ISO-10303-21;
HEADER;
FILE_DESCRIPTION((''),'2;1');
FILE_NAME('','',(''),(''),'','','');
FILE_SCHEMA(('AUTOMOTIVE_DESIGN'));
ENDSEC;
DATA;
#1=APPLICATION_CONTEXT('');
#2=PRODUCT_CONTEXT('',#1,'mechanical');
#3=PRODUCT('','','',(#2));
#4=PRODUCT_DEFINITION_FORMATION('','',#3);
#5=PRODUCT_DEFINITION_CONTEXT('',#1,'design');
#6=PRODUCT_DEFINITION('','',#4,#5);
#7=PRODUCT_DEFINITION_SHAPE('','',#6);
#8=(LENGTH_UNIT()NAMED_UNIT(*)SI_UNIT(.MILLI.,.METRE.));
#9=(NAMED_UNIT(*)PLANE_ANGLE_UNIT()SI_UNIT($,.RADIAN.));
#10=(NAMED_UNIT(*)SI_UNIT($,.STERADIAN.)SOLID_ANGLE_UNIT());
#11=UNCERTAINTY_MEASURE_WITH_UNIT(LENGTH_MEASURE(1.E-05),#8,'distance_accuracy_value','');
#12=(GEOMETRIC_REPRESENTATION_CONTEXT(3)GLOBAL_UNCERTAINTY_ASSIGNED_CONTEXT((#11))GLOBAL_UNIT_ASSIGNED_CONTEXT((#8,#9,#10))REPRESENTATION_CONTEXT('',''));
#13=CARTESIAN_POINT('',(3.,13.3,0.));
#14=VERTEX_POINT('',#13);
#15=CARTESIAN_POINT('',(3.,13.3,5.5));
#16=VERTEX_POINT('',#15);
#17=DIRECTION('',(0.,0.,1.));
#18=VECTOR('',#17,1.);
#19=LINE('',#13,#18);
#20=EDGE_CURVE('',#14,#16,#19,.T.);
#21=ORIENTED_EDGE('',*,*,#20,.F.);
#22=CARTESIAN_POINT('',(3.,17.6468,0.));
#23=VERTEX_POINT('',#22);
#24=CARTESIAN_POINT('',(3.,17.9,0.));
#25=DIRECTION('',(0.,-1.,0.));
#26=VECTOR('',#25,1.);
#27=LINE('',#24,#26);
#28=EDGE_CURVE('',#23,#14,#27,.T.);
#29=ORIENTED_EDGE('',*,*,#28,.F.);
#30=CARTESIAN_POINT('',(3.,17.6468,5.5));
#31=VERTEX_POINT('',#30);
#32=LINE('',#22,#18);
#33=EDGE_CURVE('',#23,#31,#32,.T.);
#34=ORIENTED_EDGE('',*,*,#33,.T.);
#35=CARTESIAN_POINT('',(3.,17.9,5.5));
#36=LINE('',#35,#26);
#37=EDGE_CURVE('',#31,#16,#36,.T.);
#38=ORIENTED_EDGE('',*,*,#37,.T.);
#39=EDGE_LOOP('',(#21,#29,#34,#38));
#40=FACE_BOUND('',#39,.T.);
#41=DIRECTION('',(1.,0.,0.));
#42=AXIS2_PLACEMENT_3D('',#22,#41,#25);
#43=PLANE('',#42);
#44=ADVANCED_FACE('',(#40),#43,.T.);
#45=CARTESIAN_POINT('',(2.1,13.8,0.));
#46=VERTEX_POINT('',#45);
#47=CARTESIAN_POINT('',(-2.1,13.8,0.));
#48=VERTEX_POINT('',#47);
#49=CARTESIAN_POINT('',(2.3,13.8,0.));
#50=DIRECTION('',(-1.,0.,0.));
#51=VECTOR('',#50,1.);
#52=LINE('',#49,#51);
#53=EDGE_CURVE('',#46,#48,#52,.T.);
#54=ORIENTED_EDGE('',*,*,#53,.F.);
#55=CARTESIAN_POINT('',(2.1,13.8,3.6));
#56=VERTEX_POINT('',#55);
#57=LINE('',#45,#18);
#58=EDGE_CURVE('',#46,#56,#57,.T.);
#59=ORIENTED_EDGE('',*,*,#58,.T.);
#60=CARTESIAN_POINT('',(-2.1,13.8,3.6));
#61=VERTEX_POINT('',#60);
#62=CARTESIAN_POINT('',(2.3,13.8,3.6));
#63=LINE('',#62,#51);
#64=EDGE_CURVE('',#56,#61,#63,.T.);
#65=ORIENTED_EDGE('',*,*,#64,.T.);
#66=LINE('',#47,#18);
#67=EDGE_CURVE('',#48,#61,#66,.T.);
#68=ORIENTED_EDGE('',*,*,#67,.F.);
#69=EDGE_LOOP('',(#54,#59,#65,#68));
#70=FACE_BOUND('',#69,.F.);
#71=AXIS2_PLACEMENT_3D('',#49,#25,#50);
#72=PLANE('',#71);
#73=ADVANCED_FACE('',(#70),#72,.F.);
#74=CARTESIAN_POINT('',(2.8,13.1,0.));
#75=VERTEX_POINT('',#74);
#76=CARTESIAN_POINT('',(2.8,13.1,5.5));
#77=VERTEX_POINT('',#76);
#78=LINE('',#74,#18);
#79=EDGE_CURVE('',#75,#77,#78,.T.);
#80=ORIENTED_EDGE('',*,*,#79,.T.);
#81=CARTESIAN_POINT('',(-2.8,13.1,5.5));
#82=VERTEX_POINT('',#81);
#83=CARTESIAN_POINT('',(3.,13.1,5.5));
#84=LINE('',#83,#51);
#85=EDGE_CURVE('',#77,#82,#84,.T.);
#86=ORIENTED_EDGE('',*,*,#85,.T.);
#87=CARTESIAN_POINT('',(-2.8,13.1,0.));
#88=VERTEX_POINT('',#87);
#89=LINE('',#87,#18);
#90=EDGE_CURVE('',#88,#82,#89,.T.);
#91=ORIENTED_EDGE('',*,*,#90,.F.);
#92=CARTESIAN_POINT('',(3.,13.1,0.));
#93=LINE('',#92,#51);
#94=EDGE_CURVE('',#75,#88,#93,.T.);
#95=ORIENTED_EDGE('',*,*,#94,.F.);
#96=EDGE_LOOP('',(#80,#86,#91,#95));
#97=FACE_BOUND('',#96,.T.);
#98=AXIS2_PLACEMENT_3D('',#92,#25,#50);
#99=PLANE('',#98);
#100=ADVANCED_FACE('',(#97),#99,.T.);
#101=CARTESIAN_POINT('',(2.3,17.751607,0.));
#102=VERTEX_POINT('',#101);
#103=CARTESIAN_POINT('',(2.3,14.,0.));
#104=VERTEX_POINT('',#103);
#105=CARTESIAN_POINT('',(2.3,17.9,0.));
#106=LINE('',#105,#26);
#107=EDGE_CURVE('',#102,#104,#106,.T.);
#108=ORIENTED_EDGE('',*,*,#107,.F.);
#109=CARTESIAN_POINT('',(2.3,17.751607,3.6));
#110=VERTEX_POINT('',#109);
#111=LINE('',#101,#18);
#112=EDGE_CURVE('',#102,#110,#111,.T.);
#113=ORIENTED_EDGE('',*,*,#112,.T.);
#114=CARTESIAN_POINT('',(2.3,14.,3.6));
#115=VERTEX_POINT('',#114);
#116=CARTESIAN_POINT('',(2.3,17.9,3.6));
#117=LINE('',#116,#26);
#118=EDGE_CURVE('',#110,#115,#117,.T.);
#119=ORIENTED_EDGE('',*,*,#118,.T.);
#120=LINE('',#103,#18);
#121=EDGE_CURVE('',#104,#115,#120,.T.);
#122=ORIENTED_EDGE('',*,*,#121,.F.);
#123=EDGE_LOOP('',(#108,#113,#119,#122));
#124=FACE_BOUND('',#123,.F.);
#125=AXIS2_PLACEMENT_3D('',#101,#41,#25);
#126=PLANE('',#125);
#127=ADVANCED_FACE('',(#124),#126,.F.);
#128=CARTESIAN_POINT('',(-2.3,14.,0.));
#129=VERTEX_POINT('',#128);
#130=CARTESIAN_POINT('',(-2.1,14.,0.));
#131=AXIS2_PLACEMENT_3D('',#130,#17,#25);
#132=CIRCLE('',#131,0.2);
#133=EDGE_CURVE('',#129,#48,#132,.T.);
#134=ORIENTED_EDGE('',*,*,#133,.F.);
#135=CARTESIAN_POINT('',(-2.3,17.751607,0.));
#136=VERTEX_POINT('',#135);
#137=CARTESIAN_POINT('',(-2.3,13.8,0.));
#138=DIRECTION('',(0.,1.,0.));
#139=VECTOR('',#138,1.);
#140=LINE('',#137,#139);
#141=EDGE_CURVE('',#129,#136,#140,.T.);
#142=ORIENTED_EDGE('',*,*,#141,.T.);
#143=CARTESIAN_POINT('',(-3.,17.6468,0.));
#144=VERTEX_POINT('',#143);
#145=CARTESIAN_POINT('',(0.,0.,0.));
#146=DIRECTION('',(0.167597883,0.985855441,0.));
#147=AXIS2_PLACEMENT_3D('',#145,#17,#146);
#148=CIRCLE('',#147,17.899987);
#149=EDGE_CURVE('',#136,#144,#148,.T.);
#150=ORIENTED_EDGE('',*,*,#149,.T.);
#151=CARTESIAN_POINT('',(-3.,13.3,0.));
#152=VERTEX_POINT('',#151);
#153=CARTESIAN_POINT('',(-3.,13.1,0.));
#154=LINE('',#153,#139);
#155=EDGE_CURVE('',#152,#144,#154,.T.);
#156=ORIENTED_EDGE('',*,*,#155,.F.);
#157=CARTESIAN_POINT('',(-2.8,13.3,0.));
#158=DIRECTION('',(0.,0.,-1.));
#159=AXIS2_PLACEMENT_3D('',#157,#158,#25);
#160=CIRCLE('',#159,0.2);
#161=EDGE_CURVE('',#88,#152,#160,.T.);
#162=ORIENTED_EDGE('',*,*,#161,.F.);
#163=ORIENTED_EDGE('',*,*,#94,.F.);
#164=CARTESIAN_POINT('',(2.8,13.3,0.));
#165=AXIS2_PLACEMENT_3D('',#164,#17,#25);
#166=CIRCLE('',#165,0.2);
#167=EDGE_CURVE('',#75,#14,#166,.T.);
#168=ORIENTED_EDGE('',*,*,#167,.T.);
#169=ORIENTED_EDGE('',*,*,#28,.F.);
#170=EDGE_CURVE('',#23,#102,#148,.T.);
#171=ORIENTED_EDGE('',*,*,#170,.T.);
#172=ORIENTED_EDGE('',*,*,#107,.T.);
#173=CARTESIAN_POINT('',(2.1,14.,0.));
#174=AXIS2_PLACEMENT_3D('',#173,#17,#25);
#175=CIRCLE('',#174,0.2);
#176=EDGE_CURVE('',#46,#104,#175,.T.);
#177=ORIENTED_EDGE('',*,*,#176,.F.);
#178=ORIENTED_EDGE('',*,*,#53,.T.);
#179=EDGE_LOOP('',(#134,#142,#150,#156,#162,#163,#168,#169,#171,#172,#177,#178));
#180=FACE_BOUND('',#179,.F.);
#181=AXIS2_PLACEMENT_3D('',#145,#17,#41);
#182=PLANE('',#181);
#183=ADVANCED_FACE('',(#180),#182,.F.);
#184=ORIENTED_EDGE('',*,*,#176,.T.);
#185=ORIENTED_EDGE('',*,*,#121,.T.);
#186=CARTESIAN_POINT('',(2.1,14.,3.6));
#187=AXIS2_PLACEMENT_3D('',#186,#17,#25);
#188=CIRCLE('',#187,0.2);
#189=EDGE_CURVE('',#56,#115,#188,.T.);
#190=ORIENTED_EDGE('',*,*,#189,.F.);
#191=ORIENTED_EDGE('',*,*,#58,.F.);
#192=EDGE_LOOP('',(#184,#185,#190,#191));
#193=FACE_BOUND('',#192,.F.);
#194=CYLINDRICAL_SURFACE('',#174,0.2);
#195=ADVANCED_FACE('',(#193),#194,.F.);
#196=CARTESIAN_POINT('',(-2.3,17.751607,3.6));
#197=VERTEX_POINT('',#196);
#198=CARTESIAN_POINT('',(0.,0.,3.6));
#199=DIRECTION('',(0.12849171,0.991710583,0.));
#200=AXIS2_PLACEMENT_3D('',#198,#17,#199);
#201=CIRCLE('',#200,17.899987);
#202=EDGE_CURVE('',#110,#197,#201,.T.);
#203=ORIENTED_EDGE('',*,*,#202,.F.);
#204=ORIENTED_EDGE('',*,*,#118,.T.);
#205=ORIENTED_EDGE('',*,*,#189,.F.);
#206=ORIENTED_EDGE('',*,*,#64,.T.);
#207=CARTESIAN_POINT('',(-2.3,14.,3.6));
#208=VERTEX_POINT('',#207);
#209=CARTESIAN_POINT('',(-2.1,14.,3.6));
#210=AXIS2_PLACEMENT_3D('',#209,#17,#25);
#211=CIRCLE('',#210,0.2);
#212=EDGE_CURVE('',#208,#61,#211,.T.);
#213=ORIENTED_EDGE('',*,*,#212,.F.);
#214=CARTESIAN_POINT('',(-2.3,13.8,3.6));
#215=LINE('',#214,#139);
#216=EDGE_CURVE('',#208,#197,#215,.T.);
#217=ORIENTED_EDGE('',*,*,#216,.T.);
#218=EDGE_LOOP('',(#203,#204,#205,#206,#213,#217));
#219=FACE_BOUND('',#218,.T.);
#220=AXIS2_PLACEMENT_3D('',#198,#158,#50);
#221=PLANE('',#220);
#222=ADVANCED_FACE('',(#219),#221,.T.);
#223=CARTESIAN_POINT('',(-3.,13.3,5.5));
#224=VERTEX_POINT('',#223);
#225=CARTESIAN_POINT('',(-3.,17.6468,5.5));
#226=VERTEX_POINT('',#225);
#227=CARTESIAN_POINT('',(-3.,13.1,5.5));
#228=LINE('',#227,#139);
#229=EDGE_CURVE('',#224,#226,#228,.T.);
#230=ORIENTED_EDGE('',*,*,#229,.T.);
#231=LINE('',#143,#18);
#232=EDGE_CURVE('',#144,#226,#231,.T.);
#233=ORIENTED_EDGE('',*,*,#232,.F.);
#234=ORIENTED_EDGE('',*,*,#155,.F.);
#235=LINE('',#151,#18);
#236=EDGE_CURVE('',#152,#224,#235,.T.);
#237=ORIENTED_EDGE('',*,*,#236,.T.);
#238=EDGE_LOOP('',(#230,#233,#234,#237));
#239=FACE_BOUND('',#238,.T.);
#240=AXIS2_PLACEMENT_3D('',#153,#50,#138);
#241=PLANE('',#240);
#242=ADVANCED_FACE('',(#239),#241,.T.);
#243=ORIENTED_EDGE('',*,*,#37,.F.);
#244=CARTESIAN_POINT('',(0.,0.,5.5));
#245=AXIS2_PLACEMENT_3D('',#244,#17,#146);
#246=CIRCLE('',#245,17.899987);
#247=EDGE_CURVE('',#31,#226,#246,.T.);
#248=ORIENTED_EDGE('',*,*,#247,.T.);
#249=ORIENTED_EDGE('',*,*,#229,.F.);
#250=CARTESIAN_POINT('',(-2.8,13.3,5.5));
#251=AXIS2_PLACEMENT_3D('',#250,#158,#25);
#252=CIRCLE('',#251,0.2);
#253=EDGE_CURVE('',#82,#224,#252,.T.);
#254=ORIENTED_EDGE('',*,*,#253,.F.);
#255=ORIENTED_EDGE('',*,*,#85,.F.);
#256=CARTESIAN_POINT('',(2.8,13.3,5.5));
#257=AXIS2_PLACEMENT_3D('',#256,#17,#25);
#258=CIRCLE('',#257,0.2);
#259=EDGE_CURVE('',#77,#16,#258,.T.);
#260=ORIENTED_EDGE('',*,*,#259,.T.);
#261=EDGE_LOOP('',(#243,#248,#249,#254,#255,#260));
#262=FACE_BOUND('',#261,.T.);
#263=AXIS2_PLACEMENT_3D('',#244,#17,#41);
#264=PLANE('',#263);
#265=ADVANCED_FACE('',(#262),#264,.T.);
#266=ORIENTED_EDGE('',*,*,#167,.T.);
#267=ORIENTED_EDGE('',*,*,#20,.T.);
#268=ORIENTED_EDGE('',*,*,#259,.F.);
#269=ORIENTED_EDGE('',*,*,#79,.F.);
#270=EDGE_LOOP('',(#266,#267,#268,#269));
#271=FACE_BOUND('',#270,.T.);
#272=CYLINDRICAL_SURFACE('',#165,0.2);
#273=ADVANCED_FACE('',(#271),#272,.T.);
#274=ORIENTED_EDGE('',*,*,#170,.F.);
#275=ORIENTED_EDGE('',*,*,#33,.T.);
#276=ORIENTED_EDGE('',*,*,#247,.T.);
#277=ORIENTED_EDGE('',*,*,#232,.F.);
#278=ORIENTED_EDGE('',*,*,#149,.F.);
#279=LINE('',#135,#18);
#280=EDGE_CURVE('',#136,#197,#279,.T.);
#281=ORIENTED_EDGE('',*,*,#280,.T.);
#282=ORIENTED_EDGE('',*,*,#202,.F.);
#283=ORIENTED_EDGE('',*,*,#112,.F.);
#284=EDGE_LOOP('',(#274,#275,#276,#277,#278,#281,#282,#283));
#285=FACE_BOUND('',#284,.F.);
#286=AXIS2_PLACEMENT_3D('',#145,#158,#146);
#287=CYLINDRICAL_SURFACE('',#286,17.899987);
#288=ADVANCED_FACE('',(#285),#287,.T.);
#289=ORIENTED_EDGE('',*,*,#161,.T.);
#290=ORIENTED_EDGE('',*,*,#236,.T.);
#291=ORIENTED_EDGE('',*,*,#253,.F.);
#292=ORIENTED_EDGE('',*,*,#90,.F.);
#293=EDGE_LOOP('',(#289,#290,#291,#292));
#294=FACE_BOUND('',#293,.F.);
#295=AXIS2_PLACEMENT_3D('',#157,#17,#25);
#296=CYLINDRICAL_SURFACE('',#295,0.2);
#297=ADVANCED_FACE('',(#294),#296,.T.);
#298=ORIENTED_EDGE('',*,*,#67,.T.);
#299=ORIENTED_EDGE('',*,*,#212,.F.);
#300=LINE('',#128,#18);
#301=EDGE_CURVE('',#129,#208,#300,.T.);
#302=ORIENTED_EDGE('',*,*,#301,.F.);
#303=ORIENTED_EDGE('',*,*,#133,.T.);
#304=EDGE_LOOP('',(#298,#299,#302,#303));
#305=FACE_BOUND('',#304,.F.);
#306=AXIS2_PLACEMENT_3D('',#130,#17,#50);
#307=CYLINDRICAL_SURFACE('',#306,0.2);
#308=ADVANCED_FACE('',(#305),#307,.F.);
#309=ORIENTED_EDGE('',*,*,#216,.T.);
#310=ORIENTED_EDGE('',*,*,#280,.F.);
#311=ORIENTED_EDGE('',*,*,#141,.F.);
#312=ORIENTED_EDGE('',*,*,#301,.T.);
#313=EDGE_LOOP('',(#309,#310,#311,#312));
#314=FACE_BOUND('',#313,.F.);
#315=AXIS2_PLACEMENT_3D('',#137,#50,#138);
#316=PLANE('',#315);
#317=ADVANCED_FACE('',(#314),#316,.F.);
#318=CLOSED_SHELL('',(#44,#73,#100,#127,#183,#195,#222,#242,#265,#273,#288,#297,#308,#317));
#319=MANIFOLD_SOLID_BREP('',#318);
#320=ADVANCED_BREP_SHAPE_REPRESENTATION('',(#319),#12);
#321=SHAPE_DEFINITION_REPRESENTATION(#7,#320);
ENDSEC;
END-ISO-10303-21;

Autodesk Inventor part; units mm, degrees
ref_plane "YZ Plane" through (0, 0, 0) normal (1, 0, 0) x (0, 1, 0)
ref_plane "XZ Plane" through (0, 0, 0) normal (0, 1, 0) x (-1, 0, 0)
ref_plane "XY Plane" through (0, 0, 0) normal (0, 0, 1) x (1, 0, 0)
sketch "スケッチ1" plane through (0, 0, 0) normal (0, 0, 1) x (1, 0, 0)
  line L0 (3, 13.1) -> (-3, 13.1)
  line L1 (-3, 13.1) -> (-3, 17.9)
  line L2 (-3, 17.9) -> (3, 17.9)
  line L3 (3, 17.9) -> (3, 13.1)
  arc A0 (3, 17.6468) -> (-3, 17.6468) centre (0, 0) ccw
  point P0 (0, 13.1)
  dimension "d0" = 17.9
  dimension "d1" = 6
  dimension "d2" = 4.8
extrude "押し出し1" add sketch "スケッチ1" along normal blind 5.5 contours L0 L1 A0 L3
sketch "スケッチ2" plane through (0, 0, 0) normal (0, 0, -1) x (-1, 0, 0)
  line L0 (-2.3, 13.8) -> (2.3, 13.8)
  line L1 (2.3, 13.8) -> (2.3, 17.9)
  line L2 (2.3, 17.9) -> (-2.3, 17.9)
  line L3 (-2.3, 17.9) -> (-2.3, 13.8)
  line L4 (3, 13.1) -> (-3, 13.1) projected
  line L5 (3, 17.6468) -> (3, 13.1) projected
  arc A0 (3, 17.6468) -> (-3, 17.6468) centre (0, 0) ccw projected
  point P0 (0, 13.8)
  point P1 (0, 13.1)
  point P2 (2.3, 17.7516)
  point P3 (-2.3, 17.7516)
  dimension "d5" = 0.7
  dimension "d6" = 0.7
extrude "押し出し2" cut sketch "スケッチ2" against normal blind 3.6 contours L3 A0 L1 L0
fillet "フィレット1" radius 0.2 4 edges at (3, 13.1, 2.75) (2.3, 13.8, 1.8) (-2.3, 13.8, 1.8) (-3, 13.1, 2.75)
properties part number "555_CapAccessory" material "アセタール樹脂、白"
